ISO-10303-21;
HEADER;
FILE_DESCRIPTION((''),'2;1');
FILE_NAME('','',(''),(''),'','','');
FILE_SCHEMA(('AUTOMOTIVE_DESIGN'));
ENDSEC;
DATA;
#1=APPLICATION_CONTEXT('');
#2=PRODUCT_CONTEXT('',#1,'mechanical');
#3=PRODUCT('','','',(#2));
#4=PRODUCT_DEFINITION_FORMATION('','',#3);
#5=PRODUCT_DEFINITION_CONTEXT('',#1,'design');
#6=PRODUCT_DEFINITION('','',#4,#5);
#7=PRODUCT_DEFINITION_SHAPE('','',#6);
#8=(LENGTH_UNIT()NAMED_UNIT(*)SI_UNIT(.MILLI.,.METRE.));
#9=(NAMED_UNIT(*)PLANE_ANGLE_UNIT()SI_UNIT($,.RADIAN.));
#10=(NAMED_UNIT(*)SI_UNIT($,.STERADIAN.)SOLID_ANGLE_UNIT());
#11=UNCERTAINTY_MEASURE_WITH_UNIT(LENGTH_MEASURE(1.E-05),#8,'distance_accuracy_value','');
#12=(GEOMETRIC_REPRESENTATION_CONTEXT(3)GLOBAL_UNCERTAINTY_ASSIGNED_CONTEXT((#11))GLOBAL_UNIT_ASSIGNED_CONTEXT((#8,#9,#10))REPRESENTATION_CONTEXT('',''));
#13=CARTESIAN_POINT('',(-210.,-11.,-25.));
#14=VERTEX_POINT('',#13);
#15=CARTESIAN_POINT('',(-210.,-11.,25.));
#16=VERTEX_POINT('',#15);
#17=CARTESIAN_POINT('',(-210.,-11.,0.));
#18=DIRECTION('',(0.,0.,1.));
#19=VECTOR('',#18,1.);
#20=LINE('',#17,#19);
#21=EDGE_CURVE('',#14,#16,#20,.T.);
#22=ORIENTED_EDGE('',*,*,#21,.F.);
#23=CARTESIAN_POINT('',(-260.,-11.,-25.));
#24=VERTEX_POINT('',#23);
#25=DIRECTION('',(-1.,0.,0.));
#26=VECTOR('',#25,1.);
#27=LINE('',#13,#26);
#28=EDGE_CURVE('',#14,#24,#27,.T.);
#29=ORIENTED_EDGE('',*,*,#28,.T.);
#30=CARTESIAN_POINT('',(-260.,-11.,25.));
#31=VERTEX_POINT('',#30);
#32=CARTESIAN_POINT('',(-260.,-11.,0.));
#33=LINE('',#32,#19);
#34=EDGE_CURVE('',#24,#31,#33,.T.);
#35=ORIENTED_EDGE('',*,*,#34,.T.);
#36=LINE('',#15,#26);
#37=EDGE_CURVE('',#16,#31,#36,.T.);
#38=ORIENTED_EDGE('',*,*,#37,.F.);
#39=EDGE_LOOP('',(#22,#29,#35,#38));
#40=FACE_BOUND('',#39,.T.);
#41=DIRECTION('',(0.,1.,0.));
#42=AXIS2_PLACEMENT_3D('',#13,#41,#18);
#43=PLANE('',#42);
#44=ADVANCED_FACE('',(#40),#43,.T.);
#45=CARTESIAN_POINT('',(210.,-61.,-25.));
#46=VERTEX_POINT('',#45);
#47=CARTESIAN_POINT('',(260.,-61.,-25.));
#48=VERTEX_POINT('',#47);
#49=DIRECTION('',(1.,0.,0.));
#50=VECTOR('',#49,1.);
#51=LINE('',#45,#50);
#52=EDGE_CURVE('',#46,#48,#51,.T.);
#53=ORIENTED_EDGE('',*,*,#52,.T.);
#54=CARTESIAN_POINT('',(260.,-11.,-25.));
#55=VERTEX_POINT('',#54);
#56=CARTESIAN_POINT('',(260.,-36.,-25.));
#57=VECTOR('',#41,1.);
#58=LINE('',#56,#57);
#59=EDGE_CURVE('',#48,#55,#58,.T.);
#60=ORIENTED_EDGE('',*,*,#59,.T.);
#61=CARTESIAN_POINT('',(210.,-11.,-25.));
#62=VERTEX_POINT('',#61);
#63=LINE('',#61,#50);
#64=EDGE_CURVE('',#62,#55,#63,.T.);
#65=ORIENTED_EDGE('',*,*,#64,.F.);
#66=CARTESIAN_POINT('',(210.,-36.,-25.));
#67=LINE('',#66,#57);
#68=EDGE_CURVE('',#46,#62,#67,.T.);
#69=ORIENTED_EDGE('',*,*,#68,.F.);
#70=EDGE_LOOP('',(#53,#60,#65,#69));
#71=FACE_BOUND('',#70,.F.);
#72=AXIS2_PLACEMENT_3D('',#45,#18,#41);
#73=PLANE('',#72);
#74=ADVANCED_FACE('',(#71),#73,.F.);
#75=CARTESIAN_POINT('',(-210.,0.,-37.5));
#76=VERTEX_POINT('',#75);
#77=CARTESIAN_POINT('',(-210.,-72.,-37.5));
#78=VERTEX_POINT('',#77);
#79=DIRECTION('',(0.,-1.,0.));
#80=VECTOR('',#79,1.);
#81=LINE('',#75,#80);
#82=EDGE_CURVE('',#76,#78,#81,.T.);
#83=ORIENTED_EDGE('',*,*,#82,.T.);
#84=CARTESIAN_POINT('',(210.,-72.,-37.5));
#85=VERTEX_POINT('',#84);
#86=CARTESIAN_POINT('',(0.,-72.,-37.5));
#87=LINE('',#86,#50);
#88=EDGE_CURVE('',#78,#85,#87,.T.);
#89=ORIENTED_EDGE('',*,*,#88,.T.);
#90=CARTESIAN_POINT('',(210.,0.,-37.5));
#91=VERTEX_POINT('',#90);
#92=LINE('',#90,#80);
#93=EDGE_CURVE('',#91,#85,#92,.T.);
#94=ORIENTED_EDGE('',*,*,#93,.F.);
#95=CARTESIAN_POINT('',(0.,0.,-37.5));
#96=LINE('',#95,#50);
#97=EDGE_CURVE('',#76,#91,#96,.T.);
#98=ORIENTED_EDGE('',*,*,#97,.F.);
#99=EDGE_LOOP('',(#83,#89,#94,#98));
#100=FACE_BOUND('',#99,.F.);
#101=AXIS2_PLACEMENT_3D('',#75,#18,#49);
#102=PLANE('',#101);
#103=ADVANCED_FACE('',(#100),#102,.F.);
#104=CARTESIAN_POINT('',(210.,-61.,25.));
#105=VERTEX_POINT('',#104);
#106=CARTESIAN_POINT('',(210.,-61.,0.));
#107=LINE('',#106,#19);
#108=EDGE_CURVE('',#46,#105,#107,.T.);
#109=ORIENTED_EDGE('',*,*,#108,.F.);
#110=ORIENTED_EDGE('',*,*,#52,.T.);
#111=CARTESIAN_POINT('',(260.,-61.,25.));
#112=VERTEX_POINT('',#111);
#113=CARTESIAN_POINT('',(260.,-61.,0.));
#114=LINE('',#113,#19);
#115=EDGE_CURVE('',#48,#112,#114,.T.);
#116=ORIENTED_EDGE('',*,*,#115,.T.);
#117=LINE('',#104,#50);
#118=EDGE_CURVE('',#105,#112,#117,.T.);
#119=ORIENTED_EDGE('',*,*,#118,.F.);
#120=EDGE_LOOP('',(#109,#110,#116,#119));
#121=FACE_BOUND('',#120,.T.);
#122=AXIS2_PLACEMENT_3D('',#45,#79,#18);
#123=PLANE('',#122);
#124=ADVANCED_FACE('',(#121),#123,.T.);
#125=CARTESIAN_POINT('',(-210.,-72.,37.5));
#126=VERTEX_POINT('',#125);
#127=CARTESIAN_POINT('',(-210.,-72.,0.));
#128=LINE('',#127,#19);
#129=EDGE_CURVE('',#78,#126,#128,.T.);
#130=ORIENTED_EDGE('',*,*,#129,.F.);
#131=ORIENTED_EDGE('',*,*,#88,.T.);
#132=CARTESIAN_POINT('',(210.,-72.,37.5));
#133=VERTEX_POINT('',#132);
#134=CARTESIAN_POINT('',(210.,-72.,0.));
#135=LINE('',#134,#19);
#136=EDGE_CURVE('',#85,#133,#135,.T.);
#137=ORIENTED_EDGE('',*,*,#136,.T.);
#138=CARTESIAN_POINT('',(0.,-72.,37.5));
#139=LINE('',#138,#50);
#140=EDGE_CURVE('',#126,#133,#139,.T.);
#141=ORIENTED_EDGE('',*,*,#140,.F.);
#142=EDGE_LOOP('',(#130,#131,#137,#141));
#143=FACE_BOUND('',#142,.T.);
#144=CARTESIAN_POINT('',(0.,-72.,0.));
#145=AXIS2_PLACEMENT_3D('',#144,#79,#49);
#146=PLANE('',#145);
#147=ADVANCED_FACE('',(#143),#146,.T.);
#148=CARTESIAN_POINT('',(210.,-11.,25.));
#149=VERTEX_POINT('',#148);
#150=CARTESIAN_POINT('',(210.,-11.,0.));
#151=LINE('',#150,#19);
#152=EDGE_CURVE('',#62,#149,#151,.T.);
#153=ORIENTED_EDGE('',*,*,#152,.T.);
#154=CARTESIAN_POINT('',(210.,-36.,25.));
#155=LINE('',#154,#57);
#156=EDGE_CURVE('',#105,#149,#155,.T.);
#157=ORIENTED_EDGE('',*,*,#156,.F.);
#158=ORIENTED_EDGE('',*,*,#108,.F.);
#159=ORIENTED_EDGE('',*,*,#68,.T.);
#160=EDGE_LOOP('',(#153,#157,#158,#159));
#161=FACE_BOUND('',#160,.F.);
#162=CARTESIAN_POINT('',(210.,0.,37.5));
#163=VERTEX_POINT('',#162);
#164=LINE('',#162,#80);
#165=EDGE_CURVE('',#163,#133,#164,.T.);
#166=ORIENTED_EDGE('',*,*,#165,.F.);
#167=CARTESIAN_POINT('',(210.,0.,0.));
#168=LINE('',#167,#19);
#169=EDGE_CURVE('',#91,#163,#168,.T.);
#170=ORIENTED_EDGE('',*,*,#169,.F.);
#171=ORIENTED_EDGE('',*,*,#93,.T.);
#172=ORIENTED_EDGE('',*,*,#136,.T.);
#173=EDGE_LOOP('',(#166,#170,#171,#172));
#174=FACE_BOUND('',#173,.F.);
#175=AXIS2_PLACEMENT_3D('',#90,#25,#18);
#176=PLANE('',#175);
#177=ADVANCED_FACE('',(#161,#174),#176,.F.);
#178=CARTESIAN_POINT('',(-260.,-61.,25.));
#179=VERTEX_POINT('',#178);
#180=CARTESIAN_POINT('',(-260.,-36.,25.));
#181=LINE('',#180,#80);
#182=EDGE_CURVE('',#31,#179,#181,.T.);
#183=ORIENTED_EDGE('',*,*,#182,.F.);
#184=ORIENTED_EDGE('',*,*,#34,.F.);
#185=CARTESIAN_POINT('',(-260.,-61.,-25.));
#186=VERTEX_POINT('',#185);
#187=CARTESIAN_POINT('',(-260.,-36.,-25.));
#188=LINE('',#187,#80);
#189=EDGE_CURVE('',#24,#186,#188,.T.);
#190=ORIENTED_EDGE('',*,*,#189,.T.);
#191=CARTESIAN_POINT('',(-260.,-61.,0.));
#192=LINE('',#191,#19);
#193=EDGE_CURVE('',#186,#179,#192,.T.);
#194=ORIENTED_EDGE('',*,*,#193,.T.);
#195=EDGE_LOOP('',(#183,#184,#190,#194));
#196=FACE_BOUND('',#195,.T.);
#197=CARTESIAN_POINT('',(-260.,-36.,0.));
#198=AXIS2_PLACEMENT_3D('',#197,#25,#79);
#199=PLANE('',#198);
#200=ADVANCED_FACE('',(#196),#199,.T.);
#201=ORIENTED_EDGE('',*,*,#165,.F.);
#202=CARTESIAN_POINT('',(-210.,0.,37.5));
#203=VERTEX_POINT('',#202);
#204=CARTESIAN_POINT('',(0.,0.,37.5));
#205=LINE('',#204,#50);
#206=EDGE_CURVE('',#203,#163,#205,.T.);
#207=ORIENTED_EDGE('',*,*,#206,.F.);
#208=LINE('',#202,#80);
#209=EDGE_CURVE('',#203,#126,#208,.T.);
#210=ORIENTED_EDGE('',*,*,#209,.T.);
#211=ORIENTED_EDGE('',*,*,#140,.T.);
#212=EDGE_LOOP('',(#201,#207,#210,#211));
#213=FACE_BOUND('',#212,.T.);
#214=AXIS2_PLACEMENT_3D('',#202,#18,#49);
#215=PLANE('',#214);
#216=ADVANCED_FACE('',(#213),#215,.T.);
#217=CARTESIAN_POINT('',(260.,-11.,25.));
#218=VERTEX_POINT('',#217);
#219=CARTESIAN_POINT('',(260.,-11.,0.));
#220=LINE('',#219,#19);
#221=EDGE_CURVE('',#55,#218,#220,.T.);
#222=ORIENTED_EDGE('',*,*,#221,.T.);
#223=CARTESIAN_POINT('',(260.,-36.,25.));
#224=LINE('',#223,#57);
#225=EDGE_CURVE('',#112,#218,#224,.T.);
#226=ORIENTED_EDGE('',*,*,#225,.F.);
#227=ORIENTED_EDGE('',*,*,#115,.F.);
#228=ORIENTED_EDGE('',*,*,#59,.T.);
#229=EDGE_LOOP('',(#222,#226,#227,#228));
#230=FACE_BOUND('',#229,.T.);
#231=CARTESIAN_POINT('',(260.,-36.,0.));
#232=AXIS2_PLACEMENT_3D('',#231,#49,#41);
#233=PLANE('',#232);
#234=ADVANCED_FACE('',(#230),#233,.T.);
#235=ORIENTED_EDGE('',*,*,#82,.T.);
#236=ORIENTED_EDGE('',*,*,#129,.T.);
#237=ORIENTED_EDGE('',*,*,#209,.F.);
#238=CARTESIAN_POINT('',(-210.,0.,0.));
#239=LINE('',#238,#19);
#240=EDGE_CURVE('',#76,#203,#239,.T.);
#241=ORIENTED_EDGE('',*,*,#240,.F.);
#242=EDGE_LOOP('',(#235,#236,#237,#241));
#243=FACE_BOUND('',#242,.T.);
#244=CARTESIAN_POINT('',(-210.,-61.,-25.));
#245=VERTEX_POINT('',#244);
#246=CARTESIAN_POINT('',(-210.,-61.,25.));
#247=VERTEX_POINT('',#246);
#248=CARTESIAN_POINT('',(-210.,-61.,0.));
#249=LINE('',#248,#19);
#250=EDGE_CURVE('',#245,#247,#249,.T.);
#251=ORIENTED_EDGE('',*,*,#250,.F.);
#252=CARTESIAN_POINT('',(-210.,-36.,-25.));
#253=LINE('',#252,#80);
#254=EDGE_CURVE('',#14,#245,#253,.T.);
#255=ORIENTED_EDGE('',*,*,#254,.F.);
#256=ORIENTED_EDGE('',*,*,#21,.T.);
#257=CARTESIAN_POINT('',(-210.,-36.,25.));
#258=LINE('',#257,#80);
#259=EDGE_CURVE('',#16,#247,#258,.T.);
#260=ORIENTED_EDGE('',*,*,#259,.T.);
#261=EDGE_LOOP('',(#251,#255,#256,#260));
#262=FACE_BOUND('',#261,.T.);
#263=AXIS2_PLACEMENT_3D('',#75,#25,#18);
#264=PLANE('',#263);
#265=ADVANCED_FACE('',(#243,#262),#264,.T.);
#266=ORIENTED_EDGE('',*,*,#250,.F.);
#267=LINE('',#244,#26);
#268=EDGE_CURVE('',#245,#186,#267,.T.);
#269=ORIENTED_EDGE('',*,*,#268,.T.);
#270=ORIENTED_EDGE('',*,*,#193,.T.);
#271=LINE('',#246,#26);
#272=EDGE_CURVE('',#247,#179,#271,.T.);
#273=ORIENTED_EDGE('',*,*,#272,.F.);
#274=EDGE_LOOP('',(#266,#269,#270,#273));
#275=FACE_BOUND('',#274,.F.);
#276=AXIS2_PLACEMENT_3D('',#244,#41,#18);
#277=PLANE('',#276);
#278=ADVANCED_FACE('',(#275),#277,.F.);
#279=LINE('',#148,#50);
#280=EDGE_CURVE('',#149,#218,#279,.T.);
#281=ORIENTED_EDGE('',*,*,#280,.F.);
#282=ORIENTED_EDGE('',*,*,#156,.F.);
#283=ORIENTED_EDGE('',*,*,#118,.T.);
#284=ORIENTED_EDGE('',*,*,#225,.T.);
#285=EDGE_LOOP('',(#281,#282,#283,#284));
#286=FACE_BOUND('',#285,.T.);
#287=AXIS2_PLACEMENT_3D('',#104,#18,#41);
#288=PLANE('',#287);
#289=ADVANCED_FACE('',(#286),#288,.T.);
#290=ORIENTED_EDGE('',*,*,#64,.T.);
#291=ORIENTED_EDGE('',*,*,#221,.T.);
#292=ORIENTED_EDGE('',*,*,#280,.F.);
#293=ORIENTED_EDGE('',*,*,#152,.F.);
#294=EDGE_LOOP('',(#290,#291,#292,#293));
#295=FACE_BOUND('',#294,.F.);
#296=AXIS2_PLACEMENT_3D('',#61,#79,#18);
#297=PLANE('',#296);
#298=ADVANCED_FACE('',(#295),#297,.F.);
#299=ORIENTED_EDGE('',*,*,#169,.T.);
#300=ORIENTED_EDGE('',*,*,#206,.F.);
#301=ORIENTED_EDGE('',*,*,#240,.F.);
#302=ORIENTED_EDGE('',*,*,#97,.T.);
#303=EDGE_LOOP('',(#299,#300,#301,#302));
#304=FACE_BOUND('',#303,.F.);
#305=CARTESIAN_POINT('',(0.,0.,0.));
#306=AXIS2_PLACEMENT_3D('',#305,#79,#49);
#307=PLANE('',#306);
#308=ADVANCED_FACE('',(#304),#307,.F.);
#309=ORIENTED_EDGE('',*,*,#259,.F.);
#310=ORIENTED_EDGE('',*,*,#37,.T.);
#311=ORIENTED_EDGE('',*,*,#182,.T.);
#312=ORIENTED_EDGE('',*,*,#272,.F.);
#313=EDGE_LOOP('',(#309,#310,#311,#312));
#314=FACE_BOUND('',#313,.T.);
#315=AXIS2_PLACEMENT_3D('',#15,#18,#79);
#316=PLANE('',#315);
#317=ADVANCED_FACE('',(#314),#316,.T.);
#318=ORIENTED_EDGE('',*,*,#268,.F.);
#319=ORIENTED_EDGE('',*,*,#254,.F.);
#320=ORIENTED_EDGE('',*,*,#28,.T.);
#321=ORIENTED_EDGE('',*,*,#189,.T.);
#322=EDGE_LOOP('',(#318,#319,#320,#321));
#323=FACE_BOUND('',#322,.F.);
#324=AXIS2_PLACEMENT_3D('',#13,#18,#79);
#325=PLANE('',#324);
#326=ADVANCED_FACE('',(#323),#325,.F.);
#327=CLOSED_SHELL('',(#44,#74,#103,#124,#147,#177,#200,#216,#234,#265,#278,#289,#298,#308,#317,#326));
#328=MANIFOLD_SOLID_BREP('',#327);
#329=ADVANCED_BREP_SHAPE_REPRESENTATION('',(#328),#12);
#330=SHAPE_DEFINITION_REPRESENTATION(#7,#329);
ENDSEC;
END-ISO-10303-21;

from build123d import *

# Parameters (mm, degrees)
F0_W     = 420
F0_H     = 75
F1_DEPTH = 72
F2_W     = 50
F2_H     = 50
F3_DEPTH = 50
F4_W     = 50
F4_H     = 50
F5_DEPTH = 50


with BuildPart() as f1:
    # F0 (on Front) → F1 (new body)
    with BuildSketch(Plane.XZ):
        Rectangle(F0_W, F0_H)
    extrude(amount=F1_DEPTH)

    # F2 (on face) → F3 (join)
    with BuildSketch(Plane.YZ.offset(210)):
        with Locations((-36, 0)):
            Rectangle(F2_W, F2_H)
    extrude(amount=F3_DEPTH)

    # F4 (on face) → F5 (join)
    with BuildSketch(Plane(origin=(-210, 0, 0), x_dir=(0, -1, 0), z_dir=(-1, 0, 0))):
        with Locations((36, 0)):
            Rectangle(F4_W, F4_H)
    extrude(amount=F5_DEPTH)


solid = f1.part
